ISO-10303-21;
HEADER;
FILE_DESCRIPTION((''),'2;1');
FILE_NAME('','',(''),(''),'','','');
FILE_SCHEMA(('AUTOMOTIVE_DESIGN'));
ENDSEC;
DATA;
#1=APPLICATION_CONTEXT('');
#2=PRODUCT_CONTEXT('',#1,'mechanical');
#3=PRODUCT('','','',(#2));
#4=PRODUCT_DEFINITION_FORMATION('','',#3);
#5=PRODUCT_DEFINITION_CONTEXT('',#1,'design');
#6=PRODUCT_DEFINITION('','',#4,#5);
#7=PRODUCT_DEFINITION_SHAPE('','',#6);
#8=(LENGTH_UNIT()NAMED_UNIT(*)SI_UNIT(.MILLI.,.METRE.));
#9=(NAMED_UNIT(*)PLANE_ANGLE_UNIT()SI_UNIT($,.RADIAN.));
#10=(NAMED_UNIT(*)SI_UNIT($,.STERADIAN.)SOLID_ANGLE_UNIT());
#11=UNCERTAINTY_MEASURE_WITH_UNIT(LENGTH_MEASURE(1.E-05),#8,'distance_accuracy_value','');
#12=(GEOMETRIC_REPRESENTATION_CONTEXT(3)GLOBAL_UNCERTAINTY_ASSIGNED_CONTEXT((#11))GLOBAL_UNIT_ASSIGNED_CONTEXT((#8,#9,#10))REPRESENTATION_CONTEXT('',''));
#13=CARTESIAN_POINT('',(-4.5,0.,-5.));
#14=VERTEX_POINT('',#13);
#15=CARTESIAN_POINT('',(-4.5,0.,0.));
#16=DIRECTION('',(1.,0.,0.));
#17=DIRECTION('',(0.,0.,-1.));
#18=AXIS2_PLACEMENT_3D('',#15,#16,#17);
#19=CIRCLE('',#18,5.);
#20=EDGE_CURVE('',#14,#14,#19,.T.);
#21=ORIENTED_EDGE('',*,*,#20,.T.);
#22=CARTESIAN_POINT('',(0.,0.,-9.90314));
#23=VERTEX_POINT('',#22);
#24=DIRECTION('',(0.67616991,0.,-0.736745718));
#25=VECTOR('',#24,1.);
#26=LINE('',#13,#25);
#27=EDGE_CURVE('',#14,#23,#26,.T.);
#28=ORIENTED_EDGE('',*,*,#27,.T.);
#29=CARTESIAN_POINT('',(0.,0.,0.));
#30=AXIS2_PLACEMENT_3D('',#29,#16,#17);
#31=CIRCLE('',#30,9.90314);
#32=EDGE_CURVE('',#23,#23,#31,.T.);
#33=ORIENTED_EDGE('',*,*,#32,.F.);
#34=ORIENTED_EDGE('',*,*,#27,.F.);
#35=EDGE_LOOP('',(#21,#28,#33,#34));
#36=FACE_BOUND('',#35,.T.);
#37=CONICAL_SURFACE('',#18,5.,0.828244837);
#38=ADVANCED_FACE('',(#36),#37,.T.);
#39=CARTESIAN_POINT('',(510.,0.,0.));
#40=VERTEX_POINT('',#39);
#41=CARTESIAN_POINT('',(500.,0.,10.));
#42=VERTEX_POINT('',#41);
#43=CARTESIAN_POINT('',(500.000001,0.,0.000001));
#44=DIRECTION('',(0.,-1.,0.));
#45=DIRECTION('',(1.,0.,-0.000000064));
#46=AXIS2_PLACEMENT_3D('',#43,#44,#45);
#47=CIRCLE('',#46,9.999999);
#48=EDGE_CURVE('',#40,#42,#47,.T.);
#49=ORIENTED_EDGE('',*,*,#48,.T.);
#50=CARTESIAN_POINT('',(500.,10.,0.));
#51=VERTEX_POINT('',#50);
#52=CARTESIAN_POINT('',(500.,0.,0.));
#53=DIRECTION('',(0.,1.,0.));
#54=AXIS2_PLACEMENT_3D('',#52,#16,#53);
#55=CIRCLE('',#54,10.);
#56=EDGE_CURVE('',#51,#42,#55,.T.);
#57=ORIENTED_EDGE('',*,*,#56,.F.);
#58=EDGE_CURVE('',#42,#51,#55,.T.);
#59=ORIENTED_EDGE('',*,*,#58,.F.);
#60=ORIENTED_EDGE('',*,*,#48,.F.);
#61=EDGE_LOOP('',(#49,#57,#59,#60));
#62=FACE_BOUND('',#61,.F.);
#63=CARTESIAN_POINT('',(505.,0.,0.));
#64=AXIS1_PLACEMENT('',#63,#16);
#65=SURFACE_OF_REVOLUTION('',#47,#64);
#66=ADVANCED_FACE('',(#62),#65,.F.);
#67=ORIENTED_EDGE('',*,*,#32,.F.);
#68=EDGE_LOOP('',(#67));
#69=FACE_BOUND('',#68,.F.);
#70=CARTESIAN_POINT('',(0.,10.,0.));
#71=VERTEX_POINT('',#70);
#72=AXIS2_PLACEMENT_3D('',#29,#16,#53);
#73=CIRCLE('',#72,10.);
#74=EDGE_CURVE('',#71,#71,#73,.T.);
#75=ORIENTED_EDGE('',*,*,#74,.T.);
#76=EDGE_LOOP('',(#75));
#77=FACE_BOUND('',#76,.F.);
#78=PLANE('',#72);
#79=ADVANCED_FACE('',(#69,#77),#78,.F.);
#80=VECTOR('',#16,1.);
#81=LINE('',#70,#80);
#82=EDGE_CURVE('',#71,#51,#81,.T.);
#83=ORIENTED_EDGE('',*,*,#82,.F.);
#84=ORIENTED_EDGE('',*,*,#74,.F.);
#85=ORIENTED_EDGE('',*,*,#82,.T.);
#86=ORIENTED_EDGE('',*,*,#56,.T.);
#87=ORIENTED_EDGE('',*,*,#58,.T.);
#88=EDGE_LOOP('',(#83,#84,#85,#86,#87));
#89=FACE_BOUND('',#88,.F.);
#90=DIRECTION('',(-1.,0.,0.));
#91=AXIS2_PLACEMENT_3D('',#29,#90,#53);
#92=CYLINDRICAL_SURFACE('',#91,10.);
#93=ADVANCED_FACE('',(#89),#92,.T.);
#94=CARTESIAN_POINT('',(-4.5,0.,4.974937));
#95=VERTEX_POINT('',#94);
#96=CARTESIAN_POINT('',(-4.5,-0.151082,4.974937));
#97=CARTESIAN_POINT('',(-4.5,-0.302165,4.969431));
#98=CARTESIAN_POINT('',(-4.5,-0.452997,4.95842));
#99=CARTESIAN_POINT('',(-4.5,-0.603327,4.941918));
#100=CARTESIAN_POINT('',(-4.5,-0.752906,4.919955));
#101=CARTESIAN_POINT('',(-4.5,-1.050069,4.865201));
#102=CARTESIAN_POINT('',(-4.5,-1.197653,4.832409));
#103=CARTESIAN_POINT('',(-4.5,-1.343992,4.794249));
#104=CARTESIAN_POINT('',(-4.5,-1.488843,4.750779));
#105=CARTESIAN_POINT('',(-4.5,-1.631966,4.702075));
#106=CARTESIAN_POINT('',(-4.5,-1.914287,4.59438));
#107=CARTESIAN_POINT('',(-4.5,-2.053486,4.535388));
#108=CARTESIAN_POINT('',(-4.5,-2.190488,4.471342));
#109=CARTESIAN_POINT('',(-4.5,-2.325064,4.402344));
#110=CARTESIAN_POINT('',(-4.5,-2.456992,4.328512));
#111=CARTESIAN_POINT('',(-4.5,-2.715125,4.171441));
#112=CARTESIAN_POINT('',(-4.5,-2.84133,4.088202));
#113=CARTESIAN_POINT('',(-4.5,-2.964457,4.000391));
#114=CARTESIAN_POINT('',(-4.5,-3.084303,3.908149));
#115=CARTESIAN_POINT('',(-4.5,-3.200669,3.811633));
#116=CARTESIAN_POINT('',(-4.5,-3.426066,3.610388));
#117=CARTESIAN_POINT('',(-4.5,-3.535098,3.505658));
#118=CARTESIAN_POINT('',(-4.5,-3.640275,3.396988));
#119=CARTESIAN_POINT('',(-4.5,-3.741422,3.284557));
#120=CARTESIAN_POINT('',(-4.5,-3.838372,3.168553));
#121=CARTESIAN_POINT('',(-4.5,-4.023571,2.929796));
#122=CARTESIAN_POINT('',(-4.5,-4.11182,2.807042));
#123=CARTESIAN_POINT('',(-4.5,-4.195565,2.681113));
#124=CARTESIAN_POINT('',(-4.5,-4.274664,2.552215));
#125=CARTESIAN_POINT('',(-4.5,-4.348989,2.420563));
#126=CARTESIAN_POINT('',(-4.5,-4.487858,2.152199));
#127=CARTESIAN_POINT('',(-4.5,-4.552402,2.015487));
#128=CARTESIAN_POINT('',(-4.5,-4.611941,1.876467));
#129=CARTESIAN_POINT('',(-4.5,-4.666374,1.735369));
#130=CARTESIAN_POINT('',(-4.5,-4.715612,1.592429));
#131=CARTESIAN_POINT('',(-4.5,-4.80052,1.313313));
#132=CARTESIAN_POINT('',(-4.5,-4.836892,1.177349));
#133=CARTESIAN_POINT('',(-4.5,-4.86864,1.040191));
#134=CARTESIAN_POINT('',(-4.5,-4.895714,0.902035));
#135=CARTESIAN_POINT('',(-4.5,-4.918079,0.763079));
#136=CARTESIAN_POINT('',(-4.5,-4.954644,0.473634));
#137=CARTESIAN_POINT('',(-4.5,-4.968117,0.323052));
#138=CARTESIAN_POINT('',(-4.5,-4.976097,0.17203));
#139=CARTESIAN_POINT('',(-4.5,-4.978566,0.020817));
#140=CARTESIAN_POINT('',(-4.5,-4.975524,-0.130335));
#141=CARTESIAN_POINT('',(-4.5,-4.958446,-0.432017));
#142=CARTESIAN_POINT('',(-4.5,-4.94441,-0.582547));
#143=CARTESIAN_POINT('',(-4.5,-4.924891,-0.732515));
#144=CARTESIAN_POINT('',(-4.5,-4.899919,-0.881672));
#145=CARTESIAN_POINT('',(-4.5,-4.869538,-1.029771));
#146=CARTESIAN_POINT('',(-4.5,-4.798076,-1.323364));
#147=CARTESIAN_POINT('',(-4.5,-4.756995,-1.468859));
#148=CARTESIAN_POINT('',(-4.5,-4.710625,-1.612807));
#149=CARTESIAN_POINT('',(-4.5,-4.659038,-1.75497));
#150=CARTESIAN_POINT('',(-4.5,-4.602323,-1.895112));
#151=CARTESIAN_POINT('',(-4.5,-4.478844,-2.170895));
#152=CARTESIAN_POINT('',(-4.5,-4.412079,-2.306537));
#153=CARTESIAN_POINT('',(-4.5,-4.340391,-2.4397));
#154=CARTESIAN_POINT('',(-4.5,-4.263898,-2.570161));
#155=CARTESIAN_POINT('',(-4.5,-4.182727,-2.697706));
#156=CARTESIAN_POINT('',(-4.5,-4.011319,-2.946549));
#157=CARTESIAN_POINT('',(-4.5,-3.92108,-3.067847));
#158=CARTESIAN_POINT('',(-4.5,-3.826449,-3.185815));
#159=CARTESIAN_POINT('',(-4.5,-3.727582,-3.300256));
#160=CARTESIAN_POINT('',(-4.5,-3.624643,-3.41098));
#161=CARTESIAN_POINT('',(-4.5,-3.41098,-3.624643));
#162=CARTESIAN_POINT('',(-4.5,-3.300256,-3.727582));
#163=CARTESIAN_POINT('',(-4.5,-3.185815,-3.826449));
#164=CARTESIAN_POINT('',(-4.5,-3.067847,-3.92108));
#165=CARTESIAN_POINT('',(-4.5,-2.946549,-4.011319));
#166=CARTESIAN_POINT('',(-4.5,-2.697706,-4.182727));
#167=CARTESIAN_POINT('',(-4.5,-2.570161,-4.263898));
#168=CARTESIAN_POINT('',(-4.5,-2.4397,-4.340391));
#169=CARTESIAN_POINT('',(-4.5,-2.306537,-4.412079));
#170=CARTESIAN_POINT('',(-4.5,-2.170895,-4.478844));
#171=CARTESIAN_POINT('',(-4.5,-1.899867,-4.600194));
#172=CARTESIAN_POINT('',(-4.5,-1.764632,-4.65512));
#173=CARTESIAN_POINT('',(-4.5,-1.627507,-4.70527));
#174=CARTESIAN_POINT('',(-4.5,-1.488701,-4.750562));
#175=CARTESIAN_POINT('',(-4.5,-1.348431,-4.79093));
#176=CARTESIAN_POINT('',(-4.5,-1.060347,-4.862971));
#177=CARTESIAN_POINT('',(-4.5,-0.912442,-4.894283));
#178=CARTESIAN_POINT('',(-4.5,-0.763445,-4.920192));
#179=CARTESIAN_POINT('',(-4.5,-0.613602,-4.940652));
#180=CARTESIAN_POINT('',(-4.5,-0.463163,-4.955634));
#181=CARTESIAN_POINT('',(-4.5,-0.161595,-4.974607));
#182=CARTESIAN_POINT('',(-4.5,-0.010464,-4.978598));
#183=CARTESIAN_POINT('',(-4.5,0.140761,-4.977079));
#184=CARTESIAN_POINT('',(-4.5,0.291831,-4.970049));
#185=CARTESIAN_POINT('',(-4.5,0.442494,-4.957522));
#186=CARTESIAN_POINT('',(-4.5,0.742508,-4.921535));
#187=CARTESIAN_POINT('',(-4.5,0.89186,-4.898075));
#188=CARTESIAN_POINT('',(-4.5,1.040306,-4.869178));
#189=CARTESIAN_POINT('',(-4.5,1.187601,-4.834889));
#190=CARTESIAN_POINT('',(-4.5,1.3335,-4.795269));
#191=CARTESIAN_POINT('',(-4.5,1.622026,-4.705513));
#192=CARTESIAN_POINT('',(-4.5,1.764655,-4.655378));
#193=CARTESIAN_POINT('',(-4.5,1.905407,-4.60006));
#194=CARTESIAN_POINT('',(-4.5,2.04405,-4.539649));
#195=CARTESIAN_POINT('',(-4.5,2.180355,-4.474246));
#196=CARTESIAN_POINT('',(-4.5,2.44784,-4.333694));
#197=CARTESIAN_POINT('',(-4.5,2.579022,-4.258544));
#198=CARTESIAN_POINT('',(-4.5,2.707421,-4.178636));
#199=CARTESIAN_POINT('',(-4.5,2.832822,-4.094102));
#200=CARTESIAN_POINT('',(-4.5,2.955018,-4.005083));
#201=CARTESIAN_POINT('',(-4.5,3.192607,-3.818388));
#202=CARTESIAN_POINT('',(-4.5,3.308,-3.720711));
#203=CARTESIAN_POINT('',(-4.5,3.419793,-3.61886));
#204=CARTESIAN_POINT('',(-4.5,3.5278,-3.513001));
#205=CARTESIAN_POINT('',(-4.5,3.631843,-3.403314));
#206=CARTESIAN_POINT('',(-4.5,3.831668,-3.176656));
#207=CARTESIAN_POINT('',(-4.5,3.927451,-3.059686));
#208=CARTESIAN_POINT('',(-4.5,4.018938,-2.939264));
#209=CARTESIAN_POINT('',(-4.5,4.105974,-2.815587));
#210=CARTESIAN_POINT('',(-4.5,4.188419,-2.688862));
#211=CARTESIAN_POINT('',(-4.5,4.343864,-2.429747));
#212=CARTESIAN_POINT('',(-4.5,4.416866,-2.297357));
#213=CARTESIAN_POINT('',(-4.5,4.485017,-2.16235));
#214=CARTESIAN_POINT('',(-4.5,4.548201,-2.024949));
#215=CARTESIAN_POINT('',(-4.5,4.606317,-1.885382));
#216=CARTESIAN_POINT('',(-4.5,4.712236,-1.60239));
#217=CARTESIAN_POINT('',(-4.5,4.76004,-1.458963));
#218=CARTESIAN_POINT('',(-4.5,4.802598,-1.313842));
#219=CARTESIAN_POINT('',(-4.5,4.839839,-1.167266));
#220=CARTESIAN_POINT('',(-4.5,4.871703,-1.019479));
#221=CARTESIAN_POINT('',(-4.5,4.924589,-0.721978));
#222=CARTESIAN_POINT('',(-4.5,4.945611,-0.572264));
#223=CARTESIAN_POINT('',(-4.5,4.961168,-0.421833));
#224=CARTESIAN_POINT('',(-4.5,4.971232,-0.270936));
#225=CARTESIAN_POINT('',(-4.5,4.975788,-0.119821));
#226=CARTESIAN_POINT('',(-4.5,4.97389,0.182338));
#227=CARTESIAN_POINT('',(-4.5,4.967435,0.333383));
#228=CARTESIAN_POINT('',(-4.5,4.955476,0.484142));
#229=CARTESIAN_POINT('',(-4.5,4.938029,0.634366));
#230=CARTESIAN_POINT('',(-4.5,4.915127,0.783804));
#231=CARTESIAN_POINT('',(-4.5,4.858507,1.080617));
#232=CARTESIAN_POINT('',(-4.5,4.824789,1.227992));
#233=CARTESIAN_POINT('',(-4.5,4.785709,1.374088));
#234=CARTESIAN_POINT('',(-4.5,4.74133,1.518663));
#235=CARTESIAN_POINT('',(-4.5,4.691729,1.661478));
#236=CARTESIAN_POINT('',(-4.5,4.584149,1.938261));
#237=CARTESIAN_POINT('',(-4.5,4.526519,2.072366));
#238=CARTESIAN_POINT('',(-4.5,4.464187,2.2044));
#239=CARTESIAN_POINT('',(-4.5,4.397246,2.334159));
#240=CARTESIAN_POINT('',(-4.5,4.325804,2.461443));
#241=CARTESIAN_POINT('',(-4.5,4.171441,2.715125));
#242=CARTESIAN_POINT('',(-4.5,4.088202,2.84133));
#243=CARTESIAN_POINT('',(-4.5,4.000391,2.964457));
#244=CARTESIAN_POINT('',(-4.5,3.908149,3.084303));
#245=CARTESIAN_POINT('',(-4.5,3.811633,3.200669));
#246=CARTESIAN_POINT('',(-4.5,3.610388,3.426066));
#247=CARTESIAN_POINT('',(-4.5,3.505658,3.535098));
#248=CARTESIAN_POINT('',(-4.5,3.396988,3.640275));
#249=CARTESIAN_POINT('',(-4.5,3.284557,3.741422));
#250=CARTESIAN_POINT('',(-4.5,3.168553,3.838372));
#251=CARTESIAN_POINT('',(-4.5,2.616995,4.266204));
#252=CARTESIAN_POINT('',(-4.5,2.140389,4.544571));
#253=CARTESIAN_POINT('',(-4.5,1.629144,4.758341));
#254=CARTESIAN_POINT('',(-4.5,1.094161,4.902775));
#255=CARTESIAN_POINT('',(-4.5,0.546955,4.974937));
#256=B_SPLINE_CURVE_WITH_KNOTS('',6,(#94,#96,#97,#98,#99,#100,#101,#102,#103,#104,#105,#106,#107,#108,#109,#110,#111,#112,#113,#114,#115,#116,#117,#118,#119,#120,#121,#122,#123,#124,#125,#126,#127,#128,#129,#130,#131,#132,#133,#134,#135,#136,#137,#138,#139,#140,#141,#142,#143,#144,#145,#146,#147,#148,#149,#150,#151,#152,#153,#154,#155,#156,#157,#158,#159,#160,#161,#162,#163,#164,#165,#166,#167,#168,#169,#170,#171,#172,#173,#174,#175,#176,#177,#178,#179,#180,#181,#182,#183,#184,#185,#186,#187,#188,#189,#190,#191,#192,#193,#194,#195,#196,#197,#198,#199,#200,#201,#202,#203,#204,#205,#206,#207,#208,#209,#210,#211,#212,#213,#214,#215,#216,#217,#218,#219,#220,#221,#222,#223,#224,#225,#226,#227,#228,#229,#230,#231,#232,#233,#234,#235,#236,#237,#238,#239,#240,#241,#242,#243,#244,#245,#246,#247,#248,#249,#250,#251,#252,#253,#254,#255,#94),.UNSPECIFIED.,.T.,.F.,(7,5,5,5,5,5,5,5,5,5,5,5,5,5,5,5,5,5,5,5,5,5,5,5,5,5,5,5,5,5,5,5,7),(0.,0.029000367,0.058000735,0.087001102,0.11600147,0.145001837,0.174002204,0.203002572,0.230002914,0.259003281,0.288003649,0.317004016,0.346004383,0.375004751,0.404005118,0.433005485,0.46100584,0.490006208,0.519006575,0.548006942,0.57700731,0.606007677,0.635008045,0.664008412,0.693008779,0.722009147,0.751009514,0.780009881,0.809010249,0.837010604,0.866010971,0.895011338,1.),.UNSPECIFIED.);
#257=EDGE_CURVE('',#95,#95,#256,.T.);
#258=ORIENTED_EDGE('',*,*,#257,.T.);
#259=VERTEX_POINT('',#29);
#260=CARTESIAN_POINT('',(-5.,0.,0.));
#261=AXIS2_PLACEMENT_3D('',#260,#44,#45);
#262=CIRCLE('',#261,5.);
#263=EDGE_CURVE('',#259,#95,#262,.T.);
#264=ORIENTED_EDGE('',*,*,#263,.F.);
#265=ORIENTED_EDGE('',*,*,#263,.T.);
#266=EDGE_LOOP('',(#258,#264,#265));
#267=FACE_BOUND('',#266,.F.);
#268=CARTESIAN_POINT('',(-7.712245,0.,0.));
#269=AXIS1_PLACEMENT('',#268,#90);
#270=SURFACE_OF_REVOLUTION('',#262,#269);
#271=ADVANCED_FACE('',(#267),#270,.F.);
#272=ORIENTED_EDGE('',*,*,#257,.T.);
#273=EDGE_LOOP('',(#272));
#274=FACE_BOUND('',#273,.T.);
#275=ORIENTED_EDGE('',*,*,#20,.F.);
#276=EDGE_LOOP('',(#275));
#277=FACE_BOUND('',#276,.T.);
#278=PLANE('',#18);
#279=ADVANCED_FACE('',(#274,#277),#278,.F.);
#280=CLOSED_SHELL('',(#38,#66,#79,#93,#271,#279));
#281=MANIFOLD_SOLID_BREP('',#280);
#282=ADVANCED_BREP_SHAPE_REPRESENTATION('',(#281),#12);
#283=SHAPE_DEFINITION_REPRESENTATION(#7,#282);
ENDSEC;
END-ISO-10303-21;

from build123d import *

# Parameters (mm, degrees)
F0_R     = 10
F1_DEPTH = 500


with BuildPart() as f1:
    # F0 (on Right) → F1 (new body)
    with BuildSketch(Plane.YZ):
        Circle(F0_R)
    extrude(amount=F1_DEPTH)

    # F2 (on Front) → F3 (revolve)
    with BuildSketch(Plane.XZ):
        Polygon((-4.5, -5), (0, -9.90314), (0, 0), (-4.5, 0), align=None)
    revolve(axis=Axis((-2.25, 0, 0), (1, 0, 0)))

    # F4 (on Front) → F5 (revolve, cut)
    with BuildSketch(Plane.XZ):
        with BuildLine():
            Line((-5, 0), (0, 0))
            ThreePointArc((0, 0), (-1.464466, 3.535534), (-5, 5))
            Line((-5, 5), (-5, 0))
        make_face()
    revolve(axis=Axis((-7.712245, 0, 0), (-1, 0, 0)), mode=Mode.SUBTRACT)

    # F6 (on Front) → F7 (revolve)
    with BuildSketch(Plane.XZ):
        with BuildLine():
            Line((500, 0), (510, 0))
            ThreePointArc((510, 0), (507.071068, 7.071068), (500, 10))
            Line((500, 10), (500, 0))
        make_face()
    revolve(axis=Axis((505, 0, 0), (1, 0, 0)))


solid = f1.part
